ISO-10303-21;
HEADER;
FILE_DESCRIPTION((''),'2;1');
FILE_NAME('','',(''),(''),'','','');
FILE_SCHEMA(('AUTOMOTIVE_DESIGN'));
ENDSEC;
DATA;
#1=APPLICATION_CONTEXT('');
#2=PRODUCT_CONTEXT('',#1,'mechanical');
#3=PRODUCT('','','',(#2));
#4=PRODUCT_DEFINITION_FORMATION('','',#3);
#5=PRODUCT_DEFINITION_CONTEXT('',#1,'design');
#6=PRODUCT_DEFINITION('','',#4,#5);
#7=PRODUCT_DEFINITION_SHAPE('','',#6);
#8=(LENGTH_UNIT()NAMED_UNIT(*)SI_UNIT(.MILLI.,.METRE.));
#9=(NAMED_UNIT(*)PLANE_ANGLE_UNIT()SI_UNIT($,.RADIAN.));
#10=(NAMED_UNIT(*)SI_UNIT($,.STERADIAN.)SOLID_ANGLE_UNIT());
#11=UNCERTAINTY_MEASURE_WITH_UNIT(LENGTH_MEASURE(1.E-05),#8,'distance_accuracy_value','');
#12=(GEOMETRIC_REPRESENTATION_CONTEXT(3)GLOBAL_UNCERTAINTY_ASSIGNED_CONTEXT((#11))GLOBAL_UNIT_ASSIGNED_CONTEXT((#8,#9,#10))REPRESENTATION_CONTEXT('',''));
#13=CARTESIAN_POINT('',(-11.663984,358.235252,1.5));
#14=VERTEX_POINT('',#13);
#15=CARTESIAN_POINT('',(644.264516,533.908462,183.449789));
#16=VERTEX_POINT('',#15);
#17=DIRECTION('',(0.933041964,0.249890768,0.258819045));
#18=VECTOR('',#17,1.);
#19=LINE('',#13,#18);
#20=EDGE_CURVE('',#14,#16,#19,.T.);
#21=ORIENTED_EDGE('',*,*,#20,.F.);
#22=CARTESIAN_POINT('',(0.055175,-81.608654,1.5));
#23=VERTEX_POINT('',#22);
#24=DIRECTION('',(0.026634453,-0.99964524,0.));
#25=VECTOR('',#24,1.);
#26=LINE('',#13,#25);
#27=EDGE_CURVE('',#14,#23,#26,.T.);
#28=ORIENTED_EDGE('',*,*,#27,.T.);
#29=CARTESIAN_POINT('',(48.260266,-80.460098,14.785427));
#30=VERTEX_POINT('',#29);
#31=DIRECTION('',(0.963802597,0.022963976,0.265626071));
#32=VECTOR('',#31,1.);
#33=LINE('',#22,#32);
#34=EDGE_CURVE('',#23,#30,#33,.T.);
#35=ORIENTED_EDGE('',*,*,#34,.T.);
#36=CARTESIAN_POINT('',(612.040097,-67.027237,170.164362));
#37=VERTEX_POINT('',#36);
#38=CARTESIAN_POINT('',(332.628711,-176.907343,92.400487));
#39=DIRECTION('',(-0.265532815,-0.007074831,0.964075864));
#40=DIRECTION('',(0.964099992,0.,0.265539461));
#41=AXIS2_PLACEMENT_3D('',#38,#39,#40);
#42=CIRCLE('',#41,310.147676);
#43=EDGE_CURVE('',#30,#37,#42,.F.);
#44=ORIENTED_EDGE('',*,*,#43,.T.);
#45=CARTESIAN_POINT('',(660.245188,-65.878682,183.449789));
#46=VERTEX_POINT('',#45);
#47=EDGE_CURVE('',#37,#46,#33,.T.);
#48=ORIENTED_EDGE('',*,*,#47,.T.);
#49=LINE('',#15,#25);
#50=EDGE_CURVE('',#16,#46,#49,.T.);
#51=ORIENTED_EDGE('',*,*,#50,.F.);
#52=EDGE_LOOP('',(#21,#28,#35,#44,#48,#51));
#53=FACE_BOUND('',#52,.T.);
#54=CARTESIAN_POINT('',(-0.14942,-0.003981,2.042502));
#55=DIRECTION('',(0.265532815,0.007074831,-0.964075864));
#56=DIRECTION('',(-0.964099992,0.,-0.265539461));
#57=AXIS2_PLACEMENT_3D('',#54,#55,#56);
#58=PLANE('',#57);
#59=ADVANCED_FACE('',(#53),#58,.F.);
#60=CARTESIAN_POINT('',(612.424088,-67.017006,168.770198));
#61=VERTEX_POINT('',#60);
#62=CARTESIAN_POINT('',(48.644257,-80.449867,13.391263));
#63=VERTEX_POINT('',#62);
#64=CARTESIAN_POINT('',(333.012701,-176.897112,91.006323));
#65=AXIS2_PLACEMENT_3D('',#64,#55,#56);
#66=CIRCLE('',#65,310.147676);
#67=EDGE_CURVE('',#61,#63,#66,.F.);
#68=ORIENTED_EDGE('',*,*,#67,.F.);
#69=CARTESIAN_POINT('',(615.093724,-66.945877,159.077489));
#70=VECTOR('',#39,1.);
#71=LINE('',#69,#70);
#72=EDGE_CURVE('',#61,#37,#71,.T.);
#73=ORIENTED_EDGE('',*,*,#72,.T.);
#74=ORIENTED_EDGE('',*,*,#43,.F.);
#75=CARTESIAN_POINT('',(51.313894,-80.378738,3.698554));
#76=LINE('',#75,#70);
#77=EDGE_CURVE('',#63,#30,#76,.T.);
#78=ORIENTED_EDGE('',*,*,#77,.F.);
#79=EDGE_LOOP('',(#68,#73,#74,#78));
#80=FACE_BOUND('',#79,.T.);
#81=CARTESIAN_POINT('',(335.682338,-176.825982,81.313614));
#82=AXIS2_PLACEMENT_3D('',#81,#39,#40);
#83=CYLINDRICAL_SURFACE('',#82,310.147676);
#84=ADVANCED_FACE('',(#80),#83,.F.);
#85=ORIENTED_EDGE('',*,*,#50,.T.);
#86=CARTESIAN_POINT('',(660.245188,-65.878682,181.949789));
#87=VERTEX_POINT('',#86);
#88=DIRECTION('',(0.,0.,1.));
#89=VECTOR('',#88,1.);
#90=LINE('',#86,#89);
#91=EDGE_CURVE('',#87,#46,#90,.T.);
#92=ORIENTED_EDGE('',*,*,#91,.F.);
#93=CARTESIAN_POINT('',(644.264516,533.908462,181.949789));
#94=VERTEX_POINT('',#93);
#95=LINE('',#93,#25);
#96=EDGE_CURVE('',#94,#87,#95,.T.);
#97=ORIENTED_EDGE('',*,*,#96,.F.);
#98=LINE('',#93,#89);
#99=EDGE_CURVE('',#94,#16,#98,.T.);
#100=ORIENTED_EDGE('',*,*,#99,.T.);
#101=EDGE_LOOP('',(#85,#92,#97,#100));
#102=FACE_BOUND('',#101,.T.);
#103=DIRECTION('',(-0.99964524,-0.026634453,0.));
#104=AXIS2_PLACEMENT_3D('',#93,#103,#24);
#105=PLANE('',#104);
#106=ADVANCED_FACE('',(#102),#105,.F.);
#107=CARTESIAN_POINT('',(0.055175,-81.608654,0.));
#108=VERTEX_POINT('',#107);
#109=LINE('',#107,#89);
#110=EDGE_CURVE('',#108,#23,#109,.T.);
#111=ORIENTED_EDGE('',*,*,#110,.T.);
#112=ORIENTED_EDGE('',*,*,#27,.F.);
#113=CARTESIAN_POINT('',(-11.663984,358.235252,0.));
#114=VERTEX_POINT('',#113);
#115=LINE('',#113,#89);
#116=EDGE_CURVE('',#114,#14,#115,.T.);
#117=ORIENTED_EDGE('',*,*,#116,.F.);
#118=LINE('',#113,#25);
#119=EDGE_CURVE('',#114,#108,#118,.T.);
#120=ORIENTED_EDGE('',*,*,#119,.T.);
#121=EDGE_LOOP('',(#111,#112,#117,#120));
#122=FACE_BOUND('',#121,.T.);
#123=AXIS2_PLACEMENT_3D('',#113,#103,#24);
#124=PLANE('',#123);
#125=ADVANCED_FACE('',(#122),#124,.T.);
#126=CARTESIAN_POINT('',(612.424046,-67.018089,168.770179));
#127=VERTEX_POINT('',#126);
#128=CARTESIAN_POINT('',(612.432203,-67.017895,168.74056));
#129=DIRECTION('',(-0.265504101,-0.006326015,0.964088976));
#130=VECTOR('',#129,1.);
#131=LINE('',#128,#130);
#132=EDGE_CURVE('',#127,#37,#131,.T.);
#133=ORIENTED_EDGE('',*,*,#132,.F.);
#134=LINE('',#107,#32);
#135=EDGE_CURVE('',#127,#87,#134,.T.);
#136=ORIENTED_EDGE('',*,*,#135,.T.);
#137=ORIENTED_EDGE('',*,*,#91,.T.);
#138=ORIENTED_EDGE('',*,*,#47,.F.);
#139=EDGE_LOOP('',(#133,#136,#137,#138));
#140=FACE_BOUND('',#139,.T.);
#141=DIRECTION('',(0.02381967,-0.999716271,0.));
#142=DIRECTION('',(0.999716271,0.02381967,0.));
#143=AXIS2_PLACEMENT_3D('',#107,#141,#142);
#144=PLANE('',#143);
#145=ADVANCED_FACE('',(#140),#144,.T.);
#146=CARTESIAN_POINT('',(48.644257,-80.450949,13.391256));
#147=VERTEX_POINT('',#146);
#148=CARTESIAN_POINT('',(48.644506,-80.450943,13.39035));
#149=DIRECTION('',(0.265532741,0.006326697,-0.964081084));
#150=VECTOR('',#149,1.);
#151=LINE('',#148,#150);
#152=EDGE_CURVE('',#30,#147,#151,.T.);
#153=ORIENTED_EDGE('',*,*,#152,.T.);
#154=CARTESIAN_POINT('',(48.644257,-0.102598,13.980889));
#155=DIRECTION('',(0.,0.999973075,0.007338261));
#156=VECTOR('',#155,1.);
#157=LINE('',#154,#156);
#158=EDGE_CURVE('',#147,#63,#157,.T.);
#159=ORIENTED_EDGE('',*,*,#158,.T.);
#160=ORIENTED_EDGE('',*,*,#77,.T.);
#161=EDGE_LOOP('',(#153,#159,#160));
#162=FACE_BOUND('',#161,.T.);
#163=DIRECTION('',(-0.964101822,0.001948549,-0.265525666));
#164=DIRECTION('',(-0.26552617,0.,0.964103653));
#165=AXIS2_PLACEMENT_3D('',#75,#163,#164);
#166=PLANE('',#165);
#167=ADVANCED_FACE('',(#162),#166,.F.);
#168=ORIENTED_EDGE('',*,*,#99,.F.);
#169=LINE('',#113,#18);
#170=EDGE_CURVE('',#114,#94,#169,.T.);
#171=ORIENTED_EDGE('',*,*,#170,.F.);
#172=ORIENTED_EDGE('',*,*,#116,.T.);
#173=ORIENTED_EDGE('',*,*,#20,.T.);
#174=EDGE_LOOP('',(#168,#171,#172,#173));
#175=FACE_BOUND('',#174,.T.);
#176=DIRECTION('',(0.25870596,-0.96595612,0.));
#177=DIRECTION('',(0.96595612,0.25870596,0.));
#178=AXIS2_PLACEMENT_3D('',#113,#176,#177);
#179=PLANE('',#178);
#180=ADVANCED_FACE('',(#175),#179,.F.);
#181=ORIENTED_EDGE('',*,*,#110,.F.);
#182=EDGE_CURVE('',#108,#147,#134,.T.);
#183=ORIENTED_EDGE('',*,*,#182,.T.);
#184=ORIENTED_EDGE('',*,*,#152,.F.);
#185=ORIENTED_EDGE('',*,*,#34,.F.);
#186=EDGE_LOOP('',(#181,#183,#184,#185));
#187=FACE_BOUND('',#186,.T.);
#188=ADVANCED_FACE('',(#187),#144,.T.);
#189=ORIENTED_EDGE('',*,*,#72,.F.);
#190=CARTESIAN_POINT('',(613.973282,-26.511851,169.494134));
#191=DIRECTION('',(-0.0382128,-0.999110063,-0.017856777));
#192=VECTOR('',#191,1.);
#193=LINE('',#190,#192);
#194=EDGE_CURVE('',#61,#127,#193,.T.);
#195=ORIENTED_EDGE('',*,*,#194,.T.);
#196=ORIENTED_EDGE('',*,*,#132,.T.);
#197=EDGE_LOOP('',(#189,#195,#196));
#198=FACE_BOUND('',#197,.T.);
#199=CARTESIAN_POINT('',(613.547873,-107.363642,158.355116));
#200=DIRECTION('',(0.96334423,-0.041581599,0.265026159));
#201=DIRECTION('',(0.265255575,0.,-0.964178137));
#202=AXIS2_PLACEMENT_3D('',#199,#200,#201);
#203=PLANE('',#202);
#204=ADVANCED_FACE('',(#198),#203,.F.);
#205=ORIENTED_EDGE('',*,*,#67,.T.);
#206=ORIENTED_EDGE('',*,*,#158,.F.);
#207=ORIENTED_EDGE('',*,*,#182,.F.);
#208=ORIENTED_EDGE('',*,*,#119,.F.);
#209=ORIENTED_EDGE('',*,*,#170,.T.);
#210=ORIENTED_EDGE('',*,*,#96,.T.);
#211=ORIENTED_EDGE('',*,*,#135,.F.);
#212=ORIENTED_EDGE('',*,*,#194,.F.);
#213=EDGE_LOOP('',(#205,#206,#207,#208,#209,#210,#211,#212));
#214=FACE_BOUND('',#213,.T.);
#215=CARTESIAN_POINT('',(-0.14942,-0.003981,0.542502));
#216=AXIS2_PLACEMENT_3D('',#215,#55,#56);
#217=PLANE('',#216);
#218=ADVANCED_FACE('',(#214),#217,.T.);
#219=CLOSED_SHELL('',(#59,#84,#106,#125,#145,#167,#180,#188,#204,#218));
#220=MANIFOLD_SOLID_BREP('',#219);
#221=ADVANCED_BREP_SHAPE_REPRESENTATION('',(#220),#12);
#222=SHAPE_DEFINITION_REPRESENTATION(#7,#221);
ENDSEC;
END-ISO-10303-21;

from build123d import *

# Parameters (mm, degrees)
BOSS_EXTRUDE1_DEPTH = 1.5
CUT_EXTRUDE6_DEPTH  = 11.5
CUT_EXTRUDE7_DEPTH  = 11.5


with BuildPart() as part:
    # 3DSketch1 → Boss-Extrude1 (new, along a direction that is not the sketch's normal)
    with BuildSketch(Plane(origin=(-11.663984258, 358.235252064, 0), x_dir=(0.8242948566390451, -0.5203008813923206, 0.22321510285101764), z_dir=(-0.26553281531955075, -0.007074831163105001, 0.964075863587761))):
        Polygon((0, 0), (489.889504132, 504.199636792), (815.132069395, 0), (238.511214526, -369.746400314), align=None)
    extrude(amount=BOSS_EXTRUDE1_DEPTH, dir=(0, 0, 1))

    # Sketch2 → Cut-Extrude6 (cut)
    with BuildSketch(Plane(origin=(-0.533410404, -0.014212136, 1.936664949), x_dir=(0.9641018224173596, -0.0019485492019291684, 0.26552566574162595), z_dir=(-0.26553281531954953, -0.007074831163105186, 0.9640758635877613))):
        with BuildLine():
            ThreePointArc((635.382584147, -65.776722047), (337.840777347, 133.826895304), (50.610501363, -80.349432548))
            Line((50.610501363, -80.349432548), (635.382584147, -65.776722047))
        make_face()
    extrude(amount=-CUT_EXTRUDE6_DEPTH, mode=Mode.SUBTRACT)

    # Sketch3 → Cut-Extrude7 (cut)
    with BuildSketch(Plane(origin=(-0.533410404, -0.014212136, 1.936664949), x_dir=(0.9641018224173596, -0.0019485492019291684, 0.26552566574162595), z_dir=(-0.26553281531954953, -0.007074831163105186, 0.9640758635877613))):
        Polygon((50.610501363, -80.349432548), (50.610501363, -106.198699681), (633.779172918, -106.198699681), (635.382584147, -65.776722047), (592.923417402, -33.337692785), (162.965228398, -33.337692785), align=None)
    extrude(amount=-CUT_EXTRUDE7_DEPTH, mode=Mode.SUBTRACT)


solid = part.part
